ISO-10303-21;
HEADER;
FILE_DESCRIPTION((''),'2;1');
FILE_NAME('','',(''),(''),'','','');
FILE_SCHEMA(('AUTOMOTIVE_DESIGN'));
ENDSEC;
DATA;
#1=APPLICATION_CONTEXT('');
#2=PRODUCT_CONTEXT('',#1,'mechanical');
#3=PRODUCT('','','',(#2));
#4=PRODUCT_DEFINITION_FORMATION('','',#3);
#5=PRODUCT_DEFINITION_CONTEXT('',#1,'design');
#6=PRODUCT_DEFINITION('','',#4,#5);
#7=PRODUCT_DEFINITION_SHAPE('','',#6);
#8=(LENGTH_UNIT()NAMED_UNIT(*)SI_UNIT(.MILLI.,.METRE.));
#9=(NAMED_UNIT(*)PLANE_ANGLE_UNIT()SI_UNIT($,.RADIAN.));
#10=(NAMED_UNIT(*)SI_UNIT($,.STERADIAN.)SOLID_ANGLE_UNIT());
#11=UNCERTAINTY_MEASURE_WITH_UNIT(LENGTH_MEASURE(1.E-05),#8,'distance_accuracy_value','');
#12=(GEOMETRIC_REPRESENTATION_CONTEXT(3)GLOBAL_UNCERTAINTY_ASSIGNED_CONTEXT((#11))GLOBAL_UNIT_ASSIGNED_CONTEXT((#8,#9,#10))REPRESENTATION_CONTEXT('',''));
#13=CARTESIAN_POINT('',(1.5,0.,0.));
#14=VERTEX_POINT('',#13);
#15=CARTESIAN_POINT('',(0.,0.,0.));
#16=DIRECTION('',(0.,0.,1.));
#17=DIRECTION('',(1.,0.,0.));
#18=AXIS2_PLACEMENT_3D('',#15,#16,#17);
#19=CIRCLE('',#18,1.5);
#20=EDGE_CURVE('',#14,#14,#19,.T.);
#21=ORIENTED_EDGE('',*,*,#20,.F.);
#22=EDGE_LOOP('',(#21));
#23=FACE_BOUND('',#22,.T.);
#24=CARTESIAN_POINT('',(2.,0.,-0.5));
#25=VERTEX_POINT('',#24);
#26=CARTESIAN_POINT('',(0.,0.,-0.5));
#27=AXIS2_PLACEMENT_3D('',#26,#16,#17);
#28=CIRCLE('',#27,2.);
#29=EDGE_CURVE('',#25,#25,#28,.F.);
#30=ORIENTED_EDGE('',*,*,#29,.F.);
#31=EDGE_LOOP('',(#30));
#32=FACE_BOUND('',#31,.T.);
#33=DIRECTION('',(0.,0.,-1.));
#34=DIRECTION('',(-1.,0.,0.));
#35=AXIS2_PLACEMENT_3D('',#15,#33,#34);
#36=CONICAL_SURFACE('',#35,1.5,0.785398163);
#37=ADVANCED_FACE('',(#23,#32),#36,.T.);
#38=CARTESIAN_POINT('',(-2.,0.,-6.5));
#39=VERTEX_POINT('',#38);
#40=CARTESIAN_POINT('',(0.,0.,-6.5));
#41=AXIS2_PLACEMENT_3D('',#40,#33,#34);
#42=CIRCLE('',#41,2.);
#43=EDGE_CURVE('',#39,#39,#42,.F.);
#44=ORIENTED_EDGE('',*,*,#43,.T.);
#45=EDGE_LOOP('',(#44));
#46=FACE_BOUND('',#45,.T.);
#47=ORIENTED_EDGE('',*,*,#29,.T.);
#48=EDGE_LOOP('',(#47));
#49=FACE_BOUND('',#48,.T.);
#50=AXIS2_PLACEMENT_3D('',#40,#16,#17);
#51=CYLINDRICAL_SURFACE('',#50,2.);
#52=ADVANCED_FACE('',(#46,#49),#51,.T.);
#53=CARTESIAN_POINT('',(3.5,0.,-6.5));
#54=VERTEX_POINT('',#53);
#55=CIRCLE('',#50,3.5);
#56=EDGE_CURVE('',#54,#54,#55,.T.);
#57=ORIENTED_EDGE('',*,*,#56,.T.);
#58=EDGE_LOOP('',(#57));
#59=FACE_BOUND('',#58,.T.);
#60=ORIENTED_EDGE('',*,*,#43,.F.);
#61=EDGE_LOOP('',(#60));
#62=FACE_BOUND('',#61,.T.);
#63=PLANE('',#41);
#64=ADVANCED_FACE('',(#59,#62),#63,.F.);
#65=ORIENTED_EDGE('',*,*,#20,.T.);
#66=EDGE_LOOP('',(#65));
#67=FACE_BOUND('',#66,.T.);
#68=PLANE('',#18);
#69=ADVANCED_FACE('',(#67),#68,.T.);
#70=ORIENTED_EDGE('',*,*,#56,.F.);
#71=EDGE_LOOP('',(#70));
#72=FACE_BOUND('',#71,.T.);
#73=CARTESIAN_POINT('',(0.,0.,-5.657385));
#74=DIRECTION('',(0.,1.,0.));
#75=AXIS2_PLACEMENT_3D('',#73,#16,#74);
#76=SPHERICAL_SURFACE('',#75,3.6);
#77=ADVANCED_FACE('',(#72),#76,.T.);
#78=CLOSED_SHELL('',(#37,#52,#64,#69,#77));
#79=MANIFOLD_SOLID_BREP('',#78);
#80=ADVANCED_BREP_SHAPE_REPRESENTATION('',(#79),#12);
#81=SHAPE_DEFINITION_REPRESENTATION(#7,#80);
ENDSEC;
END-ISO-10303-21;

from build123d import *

# Parameters (mm, degrees)
SKETCH1_R           = 2
BOSS_EXTRUDE1_DEPTH = 6.5
CHAMFER1_SIZE       = 0.5


with BuildPart() as part:
    # Sketch1 → Boss-Extrude1 (new body)
    with BuildSketch(Plane.XY):
        Circle(SKETCH1_R)
    extrude(amount=-BOSS_EXTRUDE1_DEPTH)

    # Chamfer1
    chamfer1_edges = [part.edges().sort_by_distance(p)[0] for p in [
        (-2, 0, 0),
    ]]
    chamfer(chamfer1_edges, length=CHAMFER1_SIZE)

    # Sketch2 → Revolve1 (revolve)
    with BuildSketch(Plane(origin=(0, 0, 0), x_dir=(0, 0, -1), z_dir=(1, 0, 0))):
        with BuildLine():
            Line((6.5, 0), (6.5, 3.5))
            ThreePointArc((6.5, 3.5), (8.485229955, 2.227844932), (9.257385023, 0))
            Line((9.257385023, 0), (6.5, 0))
        make_face()
    revolve(axis=Axis((0, 0, -3.742614977), (0, 0, -1)))


solid = part.part
